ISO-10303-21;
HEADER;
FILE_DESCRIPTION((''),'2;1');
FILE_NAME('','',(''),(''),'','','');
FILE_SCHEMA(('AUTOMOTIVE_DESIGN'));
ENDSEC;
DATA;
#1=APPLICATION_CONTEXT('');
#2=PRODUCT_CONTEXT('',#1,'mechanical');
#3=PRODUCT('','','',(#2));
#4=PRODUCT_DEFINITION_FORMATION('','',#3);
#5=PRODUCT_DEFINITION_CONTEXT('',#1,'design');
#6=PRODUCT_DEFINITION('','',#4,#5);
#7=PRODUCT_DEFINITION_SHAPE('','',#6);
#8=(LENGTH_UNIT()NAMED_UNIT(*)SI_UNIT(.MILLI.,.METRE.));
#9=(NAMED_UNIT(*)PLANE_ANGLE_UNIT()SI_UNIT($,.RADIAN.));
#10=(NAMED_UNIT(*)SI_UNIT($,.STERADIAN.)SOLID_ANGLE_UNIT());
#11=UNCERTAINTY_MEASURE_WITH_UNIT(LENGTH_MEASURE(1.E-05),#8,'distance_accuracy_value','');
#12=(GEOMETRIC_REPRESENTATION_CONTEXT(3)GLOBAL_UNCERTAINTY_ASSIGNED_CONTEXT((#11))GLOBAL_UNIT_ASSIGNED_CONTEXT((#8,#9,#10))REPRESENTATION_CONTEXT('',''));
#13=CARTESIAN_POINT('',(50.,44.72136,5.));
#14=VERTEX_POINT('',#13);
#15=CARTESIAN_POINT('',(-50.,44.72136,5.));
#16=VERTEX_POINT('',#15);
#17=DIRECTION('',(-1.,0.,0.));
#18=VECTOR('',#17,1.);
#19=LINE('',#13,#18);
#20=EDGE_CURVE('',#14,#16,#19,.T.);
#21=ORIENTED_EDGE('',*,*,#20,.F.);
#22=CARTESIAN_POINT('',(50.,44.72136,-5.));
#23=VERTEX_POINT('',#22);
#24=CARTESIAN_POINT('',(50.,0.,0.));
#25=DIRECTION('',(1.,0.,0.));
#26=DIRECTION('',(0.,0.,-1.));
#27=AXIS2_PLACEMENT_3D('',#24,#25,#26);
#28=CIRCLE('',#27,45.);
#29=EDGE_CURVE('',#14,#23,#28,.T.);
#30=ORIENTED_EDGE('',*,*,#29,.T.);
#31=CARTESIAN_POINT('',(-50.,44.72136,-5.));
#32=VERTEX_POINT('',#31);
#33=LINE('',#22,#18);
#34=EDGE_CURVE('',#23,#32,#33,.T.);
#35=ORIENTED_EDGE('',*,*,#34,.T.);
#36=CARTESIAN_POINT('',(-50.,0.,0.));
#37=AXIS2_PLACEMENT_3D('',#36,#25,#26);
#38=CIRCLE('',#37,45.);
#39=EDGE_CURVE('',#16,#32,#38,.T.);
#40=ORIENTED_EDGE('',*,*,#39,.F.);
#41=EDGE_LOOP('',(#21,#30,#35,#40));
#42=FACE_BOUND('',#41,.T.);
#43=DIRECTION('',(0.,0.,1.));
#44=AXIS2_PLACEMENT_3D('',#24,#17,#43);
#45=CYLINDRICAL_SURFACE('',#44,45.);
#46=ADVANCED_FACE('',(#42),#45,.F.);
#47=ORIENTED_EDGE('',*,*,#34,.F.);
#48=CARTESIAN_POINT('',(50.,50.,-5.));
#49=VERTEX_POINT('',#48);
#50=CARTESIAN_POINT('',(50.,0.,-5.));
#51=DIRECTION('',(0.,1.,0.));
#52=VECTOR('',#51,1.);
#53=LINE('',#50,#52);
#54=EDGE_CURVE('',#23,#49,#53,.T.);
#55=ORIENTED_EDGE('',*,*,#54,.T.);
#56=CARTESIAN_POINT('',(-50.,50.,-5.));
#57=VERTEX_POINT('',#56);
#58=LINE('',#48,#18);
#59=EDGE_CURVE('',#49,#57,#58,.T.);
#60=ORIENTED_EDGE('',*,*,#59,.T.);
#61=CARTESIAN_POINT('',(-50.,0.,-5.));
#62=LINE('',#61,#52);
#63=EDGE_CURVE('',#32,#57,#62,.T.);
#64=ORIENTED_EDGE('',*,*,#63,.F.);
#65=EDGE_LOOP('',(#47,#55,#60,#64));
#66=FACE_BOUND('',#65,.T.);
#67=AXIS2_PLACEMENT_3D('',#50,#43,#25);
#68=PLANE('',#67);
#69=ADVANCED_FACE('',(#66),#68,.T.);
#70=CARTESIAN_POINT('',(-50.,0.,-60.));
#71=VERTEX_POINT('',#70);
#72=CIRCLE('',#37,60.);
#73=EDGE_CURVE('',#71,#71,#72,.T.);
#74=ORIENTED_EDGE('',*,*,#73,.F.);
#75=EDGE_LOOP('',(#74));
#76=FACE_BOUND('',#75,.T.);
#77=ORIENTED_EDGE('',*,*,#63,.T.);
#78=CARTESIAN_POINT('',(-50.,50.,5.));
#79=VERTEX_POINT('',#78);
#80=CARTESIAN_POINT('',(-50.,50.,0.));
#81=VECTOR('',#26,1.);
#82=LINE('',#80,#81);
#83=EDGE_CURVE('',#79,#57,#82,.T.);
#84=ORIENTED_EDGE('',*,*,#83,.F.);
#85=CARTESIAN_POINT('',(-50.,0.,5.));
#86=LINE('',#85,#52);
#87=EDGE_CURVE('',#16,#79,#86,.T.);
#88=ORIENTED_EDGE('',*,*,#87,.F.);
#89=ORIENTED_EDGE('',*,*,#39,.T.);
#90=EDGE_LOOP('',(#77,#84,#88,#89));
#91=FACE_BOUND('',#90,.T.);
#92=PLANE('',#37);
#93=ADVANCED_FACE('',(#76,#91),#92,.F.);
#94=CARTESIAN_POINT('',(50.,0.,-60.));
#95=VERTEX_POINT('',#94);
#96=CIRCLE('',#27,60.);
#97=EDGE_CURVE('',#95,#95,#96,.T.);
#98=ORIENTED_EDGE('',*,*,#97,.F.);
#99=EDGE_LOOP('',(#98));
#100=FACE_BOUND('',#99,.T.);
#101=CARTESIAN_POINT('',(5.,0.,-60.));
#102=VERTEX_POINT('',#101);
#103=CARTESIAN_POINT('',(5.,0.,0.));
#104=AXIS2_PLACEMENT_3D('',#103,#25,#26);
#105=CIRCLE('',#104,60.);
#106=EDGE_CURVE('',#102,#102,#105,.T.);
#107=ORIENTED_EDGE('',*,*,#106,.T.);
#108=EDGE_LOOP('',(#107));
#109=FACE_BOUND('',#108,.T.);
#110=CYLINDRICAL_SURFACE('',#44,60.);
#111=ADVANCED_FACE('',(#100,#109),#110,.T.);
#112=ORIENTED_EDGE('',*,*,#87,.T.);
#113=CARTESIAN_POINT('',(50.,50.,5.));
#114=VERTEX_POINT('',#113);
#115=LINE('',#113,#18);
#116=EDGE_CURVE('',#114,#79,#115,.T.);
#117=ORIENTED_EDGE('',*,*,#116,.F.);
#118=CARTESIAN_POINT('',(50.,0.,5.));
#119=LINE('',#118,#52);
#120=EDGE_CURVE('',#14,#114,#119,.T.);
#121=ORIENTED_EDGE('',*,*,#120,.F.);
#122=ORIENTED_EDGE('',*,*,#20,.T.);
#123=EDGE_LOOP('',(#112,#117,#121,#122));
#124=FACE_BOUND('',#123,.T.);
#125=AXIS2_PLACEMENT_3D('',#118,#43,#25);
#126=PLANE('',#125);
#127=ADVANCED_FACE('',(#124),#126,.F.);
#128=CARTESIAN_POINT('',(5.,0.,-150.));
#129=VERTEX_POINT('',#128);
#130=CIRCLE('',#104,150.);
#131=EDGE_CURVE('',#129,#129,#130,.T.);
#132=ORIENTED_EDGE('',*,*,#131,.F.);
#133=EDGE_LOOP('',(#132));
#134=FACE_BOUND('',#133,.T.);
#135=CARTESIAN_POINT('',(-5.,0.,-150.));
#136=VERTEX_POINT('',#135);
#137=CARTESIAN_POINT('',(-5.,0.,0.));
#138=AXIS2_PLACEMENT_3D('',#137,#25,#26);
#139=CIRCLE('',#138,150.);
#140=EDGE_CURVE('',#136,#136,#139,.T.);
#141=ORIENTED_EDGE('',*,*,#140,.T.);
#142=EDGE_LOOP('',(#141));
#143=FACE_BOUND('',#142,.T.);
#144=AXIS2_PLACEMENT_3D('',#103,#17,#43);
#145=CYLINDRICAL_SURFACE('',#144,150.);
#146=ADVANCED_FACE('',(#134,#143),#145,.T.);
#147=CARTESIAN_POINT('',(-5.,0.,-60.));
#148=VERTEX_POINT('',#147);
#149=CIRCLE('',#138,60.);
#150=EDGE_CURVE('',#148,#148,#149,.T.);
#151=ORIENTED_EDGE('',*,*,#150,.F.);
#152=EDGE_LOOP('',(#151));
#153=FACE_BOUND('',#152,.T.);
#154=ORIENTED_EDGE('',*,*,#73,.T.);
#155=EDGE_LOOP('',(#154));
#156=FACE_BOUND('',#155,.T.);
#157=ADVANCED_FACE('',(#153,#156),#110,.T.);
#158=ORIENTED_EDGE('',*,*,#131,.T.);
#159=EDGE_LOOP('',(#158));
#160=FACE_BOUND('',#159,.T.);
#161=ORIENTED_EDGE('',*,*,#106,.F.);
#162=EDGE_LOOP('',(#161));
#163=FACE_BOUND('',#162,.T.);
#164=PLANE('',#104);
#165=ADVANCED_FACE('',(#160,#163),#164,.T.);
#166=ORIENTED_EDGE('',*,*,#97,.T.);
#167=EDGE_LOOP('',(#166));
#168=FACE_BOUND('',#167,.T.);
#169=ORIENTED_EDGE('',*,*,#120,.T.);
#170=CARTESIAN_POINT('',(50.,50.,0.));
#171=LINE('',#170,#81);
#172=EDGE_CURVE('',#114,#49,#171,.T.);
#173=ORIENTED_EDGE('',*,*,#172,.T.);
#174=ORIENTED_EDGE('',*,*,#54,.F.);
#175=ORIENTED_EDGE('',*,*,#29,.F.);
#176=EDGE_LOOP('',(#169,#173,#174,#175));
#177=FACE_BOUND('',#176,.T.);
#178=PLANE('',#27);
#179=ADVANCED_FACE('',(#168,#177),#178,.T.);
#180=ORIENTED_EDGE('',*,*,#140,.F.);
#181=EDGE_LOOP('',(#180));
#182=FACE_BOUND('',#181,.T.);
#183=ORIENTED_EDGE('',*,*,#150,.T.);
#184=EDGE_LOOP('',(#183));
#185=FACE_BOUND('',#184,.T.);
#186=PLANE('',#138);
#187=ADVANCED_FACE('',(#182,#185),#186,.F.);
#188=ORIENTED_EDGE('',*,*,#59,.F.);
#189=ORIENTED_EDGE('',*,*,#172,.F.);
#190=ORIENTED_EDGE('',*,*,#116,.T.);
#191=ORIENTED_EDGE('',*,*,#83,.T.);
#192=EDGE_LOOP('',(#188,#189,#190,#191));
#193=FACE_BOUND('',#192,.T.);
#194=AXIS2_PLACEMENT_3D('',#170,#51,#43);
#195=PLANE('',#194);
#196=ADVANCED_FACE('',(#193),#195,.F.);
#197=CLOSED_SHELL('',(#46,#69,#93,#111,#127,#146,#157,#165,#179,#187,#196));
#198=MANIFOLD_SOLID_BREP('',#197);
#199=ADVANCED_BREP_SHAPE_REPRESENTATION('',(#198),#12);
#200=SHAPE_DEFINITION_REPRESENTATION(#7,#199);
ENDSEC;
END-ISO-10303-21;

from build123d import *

# Parameters (mm, degrees)
SKETCH1_R           = 60
BOSS_EXTRUDE1_DEPTH = 50
SKETCH1_3_R         = 150
SKETCH1_3_R_2       = 60
BOSS_EXTRUDE2_DEPTH = 5


with BuildPart() as part:
    # Sketch1 → Boss-Extrude1 (new, symmetric)
    with BuildSketch(Plane(origin=(0, 0, 0), x_dir=(0, 0, -1), z_dir=(1, 0, 0))):
        Circle(SKETCH1_R)
        with BuildLine():
            ThreePointArc((45, 0), (-30, -33.541019662), (-5, 44.72135955))
            Line((-5, 44.72135955), (-5, 50))
            Line((-5, 50), (5, 50))
            Line((5, 50), (5, 44.72135955))
            ThreePointArc((5, 44.72135955), (33.541019662, 30), (45, 0))
        make_face(mode=Mode.SUBTRACT)
    extrude(amount=BOSS_EXTRUDE1_DEPTH, both=True)

    # Sketch1<3> → Boss-Extrude2 (add, symmetric)
    with BuildSketch(Plane(origin=(0, 0, 0), x_dir=(0, 0, -1), z_dir=(1, 0, 0))):
        Circle(SKETCH1_3_R)
        Circle(SKETCH1_3_R_2, mode=Mode.SUBTRACT)
    extrude(amount=BOSS_EXTRUDE2_DEPTH, both=True)


solid = part.part
